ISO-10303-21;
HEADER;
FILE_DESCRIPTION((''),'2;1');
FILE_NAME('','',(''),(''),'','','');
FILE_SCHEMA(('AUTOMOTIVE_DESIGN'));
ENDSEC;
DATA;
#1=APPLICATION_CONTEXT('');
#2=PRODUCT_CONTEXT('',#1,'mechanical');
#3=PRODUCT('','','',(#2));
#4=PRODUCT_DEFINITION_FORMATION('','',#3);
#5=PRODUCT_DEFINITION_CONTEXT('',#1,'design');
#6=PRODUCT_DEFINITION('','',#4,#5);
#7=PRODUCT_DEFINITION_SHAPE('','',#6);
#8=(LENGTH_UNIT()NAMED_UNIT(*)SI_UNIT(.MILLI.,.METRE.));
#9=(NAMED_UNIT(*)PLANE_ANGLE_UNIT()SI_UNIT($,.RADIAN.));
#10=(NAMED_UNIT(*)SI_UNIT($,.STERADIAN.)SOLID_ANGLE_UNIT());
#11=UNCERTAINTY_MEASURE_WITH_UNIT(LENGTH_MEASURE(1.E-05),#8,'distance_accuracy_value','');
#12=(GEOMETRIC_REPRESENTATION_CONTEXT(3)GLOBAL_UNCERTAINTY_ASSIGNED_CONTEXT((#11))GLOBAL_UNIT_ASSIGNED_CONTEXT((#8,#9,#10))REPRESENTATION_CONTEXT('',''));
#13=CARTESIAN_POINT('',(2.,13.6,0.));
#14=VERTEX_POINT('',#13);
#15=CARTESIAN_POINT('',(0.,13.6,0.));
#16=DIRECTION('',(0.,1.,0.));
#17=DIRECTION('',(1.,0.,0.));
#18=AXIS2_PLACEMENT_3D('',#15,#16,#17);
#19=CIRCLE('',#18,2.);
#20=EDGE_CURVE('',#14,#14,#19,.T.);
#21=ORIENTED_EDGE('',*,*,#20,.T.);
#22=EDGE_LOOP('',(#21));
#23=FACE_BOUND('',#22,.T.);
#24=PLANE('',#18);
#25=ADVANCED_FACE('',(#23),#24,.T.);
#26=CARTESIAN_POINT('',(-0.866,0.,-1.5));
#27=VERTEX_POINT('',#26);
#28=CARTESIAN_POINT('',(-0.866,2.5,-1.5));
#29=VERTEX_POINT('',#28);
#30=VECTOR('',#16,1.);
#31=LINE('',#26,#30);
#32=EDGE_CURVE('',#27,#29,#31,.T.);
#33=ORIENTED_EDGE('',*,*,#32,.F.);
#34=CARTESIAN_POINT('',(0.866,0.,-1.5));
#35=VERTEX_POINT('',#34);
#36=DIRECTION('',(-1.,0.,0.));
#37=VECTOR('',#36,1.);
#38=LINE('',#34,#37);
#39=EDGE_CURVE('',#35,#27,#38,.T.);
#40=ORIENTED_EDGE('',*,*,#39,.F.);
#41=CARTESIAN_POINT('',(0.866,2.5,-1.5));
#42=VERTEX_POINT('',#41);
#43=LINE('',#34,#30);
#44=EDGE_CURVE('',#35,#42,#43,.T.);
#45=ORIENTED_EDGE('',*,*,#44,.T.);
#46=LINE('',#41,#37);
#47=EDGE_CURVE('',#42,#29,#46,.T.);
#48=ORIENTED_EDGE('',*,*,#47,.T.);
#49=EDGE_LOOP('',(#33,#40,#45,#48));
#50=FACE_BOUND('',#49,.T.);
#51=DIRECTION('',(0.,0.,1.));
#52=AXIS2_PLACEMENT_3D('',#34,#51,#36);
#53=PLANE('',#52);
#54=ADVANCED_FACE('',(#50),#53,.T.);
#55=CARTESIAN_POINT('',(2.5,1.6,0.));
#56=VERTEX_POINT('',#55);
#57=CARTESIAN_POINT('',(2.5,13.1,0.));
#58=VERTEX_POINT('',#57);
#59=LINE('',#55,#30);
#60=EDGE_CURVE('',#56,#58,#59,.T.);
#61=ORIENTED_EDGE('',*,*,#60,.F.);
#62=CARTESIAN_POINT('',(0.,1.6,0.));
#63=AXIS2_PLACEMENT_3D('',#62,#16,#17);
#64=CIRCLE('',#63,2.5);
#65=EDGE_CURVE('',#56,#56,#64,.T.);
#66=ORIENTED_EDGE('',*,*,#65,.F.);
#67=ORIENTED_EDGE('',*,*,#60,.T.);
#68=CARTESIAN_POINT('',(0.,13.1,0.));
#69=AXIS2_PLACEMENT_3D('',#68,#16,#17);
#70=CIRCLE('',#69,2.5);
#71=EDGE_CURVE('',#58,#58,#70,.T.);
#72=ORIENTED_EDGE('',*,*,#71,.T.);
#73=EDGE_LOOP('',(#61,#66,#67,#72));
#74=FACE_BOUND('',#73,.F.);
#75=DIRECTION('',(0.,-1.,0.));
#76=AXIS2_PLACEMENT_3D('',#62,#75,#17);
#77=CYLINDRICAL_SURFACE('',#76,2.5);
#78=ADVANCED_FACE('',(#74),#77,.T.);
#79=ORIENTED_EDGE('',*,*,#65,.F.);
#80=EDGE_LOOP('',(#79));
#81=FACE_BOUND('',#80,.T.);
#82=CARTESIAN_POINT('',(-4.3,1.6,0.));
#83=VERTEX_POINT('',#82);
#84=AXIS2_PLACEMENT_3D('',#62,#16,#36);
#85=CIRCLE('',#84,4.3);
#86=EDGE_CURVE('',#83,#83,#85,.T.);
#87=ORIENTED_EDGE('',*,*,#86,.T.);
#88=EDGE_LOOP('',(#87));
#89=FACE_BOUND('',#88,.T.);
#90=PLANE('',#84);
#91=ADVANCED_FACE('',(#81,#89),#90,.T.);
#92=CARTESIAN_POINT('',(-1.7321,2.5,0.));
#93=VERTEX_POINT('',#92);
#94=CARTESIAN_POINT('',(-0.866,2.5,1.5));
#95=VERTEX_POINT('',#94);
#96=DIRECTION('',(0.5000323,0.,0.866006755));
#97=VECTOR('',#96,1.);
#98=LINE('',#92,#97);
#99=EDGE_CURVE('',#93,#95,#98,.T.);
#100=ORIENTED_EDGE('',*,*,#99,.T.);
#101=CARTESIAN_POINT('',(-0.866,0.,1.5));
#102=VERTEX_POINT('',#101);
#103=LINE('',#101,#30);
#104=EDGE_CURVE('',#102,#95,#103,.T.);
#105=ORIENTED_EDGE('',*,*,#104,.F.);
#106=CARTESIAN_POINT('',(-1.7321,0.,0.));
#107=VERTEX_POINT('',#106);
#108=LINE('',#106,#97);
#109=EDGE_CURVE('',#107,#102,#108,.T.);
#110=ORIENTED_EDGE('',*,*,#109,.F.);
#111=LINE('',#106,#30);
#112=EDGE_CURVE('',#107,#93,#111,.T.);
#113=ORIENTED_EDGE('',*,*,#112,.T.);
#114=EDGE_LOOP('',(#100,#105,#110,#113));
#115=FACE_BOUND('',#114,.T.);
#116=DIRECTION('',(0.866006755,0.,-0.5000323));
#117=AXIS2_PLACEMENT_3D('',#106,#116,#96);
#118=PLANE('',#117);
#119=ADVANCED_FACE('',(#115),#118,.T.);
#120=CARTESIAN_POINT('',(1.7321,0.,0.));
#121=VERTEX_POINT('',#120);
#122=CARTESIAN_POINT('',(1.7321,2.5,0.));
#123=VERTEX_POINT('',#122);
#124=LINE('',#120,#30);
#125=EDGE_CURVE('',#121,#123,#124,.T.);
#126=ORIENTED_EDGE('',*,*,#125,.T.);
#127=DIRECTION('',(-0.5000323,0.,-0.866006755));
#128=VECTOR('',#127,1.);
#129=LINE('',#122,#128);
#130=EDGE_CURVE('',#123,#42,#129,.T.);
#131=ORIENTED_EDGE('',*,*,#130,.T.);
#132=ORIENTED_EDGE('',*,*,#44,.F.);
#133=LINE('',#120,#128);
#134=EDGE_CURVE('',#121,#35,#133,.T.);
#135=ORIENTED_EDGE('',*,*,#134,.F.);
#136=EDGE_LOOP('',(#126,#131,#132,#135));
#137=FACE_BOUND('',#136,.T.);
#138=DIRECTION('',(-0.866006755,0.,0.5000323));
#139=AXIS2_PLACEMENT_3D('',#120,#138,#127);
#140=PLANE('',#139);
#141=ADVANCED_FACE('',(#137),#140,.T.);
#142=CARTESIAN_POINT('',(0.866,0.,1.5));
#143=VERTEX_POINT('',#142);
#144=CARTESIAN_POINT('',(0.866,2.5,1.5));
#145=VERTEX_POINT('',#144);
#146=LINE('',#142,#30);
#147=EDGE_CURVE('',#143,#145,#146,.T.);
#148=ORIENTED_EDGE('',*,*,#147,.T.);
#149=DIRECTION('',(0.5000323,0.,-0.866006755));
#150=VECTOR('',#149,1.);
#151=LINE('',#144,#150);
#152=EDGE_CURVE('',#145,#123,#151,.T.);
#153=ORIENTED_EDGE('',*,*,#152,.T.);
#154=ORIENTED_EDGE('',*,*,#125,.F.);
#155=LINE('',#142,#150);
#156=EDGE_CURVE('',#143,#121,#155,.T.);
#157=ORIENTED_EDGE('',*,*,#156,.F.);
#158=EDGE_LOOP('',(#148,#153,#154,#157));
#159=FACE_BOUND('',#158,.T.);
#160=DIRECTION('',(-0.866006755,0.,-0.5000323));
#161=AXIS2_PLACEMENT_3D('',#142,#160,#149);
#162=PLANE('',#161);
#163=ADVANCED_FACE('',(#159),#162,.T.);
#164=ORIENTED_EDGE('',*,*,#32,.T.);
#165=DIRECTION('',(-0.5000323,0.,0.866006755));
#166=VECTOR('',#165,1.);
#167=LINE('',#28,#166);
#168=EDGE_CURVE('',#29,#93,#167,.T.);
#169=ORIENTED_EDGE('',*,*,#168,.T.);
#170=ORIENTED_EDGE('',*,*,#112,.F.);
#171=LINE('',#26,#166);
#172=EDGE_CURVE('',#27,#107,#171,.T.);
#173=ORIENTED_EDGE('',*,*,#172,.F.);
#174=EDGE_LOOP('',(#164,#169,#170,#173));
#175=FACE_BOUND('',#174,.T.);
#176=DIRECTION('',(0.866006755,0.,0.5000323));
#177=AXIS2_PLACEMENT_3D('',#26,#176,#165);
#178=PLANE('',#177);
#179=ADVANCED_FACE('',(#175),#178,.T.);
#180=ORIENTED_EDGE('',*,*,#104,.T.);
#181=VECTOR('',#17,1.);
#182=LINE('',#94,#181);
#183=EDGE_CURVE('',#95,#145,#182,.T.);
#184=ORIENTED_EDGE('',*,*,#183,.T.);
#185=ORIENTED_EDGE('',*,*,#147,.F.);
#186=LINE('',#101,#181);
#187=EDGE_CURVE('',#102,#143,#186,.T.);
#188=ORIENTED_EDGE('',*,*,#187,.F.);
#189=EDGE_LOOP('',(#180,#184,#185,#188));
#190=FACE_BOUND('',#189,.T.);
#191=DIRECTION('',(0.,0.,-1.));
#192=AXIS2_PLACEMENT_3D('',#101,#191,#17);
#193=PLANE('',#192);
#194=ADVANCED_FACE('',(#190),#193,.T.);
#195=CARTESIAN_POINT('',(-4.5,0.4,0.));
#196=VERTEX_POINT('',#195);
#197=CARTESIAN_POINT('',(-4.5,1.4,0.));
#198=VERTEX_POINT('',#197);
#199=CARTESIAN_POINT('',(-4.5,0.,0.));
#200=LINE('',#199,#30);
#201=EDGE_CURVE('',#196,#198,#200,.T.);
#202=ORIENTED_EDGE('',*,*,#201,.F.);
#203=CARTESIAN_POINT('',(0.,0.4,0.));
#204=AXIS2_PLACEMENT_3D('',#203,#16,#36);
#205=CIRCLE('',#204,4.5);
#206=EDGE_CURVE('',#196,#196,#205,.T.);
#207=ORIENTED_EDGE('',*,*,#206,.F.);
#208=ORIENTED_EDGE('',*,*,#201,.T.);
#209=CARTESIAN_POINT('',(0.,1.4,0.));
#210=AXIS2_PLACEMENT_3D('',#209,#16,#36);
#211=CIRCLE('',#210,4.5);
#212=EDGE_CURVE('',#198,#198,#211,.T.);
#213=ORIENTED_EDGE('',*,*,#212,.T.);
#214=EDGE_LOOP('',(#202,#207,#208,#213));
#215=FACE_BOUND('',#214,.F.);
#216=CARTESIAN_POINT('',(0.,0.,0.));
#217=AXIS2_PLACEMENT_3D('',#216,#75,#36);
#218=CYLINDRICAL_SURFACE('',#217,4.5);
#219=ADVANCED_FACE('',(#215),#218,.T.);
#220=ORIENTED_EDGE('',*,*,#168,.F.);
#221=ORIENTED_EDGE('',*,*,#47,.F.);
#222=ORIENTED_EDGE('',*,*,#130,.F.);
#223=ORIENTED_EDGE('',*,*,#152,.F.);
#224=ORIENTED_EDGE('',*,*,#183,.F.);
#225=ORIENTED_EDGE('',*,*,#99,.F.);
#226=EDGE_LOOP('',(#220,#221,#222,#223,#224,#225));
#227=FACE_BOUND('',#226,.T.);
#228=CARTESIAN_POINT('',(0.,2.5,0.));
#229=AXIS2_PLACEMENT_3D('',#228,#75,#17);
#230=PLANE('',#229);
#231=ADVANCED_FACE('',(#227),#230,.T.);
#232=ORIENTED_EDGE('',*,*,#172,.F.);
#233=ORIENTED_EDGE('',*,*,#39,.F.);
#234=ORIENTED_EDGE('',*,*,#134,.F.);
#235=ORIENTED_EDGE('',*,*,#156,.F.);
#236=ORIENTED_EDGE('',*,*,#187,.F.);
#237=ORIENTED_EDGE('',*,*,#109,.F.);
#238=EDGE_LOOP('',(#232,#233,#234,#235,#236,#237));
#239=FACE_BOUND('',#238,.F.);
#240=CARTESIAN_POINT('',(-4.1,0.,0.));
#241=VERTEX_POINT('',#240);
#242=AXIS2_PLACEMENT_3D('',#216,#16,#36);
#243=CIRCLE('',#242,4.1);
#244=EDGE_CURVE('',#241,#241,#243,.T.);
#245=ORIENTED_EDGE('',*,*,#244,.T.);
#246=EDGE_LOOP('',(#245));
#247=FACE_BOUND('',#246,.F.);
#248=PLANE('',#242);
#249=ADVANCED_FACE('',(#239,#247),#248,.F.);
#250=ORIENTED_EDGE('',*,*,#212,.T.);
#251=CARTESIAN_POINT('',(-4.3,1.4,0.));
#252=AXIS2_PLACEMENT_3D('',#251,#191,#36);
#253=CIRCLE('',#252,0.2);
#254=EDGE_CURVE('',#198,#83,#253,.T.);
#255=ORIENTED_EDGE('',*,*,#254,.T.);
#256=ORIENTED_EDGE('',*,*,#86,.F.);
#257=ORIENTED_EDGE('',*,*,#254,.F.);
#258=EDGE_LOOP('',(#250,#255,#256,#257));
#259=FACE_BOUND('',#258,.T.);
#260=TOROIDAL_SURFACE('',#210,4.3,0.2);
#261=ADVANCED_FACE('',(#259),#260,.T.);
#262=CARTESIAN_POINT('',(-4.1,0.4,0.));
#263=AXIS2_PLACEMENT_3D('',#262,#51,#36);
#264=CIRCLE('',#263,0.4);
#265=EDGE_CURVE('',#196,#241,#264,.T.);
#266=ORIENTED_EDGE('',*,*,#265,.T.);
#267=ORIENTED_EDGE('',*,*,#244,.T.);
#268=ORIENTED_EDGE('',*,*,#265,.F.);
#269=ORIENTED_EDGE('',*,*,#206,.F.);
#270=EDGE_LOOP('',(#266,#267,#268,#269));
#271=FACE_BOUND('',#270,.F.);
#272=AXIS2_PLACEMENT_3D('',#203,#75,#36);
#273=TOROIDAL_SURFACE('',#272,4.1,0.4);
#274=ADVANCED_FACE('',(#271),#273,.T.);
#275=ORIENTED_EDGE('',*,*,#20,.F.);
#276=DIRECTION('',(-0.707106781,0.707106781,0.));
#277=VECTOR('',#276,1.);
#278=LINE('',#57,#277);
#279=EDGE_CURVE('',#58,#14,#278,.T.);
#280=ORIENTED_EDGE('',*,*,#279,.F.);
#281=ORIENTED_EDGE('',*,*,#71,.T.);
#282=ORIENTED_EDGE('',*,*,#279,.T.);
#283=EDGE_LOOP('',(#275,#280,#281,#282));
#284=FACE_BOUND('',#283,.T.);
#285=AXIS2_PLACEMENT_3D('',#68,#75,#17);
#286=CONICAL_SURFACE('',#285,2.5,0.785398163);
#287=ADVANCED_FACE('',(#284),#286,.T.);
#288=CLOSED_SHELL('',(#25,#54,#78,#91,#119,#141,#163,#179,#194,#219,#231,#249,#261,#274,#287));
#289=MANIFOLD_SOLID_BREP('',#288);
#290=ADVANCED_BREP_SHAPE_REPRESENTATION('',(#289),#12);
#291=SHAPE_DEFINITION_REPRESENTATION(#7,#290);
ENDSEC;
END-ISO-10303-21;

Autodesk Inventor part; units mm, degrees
ref_plane "YZ Plane" through (0, 0, 0) normal (1, 0, 0) x (0, 1, 0)
ref_plane "XZ Plane" through (0, 0, 0) normal (0, 1, 0) x (-1, 0, 0)
ref_plane "XY Plane" through (0, 0, 0) normal (0, 0, 1) x (1, 0, 0)
sketch "Boceto1" plane through (0, 0, 0) normal (0, 1, 0) x (-1, 0, 0)
  circle A0 centre (0, 0) radius 4.5
  dimension "d0" = 9
extrude "Extrusión1" add sketch "Boceto1" along normal blind 1.6
sketch "Boceto2" plane through (0, 1.6, 0) normal (0, 1, 0) x (1, 0, 0)
  circle A0 centre (0, 0) radius 2.5
  dimension "d3" = 5
extrude "Extrusión2" add sketch "Boceto2" along normal blind 12
fillet "Empalme1" radius 0.4 1 edges at (4.5, 0, 0)
fillet "Empalme2" radius 0.2 1 edges at (4.5, 1.6, 0)
sketch "Boceto3" plane through (0, 0, 0) normal (0, -1, 0) x (1, 0, 0)
  line L0 (-1.7321, 0) -> (-0.866, 1.5)
  line L1 (-0.866, 1.5) -> (0.866, 1.5)
  line L2 (0.866, 1.5) -> (1.7321, 0)
  line L3 (1.7321, 0) -> (0.866, -1.5)
  line L4 (0.866, -1.5) -> (-0.866, -1.5)
  line L5 (-0.866, -1.5) -> (-1.7321, 0)
  point P0 (0, 0)
  point P1 (0, 0)
  dimension "d8" = 3
extrude "Extrusión3" cut sketch "Boceto3" against normal blind 2.5
chamfer "Chaflán1" distance 0.5 angle 45 1 edges at (-2.5, 13.6, 0)
thread "Rosca2" size "M5x0.8" class "6g" standard "ANSI Metric M Profile" length 10 offset 2
properties part number "Perno M5x8 cabeza plana" material "Hierro, gris"
